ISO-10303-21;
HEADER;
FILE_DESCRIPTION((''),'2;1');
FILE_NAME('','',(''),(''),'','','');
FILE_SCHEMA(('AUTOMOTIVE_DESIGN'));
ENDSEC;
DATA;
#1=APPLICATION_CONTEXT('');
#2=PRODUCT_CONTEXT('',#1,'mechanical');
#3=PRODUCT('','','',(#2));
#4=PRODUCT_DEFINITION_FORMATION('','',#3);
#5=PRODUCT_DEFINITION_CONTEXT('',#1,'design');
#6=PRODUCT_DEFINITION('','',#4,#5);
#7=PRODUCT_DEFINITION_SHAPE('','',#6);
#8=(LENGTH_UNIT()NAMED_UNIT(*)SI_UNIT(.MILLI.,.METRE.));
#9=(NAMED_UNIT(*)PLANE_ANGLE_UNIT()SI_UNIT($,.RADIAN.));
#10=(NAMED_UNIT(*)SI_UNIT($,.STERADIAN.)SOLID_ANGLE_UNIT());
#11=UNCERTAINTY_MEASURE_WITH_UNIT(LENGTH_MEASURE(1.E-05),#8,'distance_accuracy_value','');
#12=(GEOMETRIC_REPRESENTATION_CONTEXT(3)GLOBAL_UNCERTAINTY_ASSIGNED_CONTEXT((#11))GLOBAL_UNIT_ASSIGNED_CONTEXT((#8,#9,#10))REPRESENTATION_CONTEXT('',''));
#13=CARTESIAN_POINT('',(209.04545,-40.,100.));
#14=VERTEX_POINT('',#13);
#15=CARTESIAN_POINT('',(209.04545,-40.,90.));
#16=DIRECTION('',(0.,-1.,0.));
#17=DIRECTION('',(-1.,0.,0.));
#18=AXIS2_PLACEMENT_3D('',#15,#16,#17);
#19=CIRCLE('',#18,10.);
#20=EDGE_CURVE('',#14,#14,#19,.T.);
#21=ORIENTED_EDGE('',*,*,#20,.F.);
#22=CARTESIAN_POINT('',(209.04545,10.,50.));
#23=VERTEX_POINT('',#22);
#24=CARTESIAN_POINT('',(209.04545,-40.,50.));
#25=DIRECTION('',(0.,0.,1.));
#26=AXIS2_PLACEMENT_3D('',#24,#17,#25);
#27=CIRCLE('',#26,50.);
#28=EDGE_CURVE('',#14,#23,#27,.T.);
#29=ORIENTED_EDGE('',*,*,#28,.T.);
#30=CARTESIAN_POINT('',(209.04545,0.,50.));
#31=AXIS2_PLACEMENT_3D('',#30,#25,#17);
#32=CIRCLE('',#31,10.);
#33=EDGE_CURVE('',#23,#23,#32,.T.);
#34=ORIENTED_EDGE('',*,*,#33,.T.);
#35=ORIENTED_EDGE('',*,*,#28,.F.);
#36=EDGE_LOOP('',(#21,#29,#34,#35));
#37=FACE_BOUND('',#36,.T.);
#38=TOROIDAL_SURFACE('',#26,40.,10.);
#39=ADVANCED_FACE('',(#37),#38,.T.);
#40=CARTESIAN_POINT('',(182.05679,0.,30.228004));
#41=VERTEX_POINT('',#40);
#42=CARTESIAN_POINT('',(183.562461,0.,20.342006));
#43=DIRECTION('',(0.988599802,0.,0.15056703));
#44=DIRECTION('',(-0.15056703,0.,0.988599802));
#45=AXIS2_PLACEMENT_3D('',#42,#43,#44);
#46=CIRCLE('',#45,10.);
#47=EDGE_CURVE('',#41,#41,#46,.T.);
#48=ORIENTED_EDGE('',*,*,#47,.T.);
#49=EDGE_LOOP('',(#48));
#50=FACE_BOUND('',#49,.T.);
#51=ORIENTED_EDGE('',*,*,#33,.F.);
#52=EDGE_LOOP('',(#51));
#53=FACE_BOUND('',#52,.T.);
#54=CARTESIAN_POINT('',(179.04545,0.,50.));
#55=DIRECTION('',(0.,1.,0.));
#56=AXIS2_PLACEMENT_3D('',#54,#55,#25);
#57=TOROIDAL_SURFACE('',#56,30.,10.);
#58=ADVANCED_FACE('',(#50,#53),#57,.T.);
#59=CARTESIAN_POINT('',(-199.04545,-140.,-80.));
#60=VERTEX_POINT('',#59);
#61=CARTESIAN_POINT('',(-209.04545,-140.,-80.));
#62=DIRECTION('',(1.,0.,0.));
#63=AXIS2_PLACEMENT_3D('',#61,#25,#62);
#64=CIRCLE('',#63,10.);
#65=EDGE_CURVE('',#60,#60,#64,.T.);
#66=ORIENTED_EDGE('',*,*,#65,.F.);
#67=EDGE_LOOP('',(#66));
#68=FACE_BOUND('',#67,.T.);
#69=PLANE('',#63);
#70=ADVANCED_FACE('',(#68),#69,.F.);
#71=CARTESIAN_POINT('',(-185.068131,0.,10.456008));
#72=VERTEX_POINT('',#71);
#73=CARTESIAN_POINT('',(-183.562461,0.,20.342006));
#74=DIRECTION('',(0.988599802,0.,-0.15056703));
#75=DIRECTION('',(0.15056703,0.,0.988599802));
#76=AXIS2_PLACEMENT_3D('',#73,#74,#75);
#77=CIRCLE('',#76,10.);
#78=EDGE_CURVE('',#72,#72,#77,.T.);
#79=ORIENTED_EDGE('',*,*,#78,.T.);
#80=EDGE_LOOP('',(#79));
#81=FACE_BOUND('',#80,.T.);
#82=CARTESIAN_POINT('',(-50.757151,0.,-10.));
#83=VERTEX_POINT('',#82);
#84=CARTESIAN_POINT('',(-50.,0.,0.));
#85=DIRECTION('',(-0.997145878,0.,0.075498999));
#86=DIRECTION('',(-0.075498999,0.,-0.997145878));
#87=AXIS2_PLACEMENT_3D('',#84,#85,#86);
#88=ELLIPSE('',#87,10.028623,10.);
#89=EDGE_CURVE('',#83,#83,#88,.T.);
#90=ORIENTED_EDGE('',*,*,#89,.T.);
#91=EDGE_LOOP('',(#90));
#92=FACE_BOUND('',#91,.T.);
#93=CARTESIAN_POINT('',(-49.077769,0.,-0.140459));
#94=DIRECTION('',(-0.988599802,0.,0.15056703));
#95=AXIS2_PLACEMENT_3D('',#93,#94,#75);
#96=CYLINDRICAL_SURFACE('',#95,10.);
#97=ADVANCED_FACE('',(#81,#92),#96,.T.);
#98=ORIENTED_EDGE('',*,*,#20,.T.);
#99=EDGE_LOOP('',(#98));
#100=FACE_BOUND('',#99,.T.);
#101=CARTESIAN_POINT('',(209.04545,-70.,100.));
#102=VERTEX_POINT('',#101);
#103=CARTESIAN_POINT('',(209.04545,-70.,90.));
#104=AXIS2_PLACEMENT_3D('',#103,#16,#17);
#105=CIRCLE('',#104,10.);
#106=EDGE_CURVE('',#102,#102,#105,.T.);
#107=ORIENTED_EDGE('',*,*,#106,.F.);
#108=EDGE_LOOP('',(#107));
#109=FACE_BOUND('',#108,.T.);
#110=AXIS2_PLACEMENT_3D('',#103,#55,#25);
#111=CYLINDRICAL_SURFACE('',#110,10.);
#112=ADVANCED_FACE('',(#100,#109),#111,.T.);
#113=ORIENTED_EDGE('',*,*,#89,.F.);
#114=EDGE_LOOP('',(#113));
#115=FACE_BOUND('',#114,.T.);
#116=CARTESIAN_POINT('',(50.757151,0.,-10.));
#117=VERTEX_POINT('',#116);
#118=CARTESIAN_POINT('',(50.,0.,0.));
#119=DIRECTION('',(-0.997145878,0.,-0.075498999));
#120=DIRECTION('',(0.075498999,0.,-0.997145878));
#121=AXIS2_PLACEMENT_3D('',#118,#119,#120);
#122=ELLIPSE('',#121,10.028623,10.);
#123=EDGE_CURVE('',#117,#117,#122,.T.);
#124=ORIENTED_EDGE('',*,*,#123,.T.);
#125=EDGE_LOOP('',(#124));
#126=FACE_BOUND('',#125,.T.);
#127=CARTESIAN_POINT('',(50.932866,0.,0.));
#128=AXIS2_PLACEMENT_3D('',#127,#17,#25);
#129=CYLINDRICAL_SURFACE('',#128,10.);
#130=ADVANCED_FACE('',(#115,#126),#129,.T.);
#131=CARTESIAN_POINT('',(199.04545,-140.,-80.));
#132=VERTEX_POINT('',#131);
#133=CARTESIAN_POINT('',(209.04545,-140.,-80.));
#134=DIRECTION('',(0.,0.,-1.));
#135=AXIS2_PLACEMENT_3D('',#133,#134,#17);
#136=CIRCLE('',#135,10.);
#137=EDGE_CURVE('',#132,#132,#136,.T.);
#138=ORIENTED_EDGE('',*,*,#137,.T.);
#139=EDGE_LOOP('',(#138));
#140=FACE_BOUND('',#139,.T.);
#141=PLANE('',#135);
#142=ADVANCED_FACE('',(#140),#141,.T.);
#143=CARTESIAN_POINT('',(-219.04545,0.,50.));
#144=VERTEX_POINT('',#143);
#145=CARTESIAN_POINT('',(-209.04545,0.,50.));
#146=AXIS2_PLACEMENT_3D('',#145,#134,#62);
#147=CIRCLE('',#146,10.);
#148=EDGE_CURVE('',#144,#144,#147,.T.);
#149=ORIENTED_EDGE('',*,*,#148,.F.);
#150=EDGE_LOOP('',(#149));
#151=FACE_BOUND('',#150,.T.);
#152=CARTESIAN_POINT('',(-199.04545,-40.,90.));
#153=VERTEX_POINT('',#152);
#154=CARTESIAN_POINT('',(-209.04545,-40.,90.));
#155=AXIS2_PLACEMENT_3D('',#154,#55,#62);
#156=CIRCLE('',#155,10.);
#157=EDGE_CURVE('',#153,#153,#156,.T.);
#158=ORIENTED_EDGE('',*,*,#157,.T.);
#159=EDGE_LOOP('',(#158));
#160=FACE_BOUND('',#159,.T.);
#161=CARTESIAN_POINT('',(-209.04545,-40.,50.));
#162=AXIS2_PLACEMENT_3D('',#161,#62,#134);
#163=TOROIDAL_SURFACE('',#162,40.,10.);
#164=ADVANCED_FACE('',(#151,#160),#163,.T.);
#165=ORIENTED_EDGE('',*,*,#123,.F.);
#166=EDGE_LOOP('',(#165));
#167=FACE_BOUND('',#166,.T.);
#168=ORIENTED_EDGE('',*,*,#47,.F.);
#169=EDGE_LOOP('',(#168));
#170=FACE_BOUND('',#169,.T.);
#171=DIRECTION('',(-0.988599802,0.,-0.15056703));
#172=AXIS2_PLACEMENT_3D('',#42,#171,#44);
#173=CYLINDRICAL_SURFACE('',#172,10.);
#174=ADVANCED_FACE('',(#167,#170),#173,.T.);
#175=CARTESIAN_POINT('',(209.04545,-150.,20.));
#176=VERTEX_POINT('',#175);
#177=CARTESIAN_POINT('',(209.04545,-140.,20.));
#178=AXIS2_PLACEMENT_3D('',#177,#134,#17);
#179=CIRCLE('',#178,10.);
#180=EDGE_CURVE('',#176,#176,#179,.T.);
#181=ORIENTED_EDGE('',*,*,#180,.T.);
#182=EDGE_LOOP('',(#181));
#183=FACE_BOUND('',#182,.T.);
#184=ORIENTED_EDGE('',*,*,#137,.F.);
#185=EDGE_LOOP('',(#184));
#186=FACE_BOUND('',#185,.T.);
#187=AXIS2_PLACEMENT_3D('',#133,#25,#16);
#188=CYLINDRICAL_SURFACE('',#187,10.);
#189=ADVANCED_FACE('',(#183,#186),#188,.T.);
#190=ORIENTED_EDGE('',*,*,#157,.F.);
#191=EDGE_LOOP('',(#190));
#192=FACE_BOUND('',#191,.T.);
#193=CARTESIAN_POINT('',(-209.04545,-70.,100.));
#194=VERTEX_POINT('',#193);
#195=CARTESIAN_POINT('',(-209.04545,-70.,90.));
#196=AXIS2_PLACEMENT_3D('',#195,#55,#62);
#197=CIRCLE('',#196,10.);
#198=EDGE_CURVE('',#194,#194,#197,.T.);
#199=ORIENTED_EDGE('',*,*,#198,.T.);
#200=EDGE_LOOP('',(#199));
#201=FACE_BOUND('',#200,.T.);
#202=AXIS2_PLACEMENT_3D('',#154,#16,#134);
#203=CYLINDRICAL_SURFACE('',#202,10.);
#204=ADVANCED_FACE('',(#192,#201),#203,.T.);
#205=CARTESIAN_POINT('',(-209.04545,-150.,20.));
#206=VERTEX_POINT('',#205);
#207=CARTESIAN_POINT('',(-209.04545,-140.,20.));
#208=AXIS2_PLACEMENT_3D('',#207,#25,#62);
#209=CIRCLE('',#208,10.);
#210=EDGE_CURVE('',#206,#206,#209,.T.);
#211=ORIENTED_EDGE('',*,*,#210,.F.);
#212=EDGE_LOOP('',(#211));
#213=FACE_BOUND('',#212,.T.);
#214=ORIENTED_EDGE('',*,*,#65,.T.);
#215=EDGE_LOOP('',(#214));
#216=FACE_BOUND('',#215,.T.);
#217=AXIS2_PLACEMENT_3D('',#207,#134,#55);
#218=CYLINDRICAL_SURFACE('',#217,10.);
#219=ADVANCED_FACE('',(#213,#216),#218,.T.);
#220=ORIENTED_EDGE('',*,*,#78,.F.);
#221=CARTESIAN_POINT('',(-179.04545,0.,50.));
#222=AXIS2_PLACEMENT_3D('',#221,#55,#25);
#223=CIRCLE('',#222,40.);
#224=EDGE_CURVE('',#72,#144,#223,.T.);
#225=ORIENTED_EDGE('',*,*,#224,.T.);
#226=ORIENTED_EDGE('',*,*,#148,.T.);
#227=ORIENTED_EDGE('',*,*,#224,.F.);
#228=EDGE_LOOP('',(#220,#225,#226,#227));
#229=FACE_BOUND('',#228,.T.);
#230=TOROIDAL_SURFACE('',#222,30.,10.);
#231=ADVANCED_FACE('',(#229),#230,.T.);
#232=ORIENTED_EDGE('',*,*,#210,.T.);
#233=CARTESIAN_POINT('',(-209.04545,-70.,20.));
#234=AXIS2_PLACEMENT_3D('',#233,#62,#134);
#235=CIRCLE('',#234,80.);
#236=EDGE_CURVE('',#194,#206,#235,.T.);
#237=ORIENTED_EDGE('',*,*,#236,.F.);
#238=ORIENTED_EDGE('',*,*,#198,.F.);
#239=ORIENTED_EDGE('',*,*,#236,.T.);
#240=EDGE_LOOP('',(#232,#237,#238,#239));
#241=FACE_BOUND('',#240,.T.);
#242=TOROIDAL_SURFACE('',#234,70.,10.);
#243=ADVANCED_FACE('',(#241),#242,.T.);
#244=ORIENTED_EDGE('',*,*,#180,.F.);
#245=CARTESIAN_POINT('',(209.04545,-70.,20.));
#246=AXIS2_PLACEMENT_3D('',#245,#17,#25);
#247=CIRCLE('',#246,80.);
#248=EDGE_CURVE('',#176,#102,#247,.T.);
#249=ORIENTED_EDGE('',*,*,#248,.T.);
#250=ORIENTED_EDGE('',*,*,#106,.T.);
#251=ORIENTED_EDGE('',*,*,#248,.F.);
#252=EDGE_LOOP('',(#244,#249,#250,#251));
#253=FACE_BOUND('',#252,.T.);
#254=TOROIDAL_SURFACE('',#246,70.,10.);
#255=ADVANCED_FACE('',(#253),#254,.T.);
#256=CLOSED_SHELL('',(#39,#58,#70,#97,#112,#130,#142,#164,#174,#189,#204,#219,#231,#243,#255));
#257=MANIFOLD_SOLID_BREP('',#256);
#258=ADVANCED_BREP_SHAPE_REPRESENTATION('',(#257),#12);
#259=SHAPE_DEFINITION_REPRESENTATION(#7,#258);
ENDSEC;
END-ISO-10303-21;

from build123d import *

# Parameters (mm, degrees)
SKETCH1_R = 10


with BuildPart() as part:
    # Sweep1: sweep along a curve in space
    with BuildLine() as sweep1_path:
        Line((209.045449604, -140, 20), (209.045449604, -140, -80))
        ThreePointArc((209.045449604, -70, 90), (209.045449604, -119.497474683, 69.497474683), (209.045449604, -140, 20))
        Line((209.045449604, -40, 90), (209.045449604, -70, 90))
        ThreePointArc((209.045449604, 0, 50), (209.045449604, -11.715728753, 78.284271247), (209.045449604, -40, 90))
        ThreePointArc((183.562460513, 0, 20.342005927), (201.799683575, 0, 30.448917259), (209.045449604, 0, 50))
        Line((50, 0, 0), (183.562460513, 0, 20.342005927))
        Line((-50, 0, 0), (50, 0, 0))
        Line((-50, 0, 0), (-183.562460513, 0, 20.342005927))
        ThreePointArc((-209.045449604, 0, 50), (-201.799683575, 0, 30.448917259), (-183.562460513, 0, 20.342005927))
        ThreePointArc((-209.045449604, -40, 90), (-209.045449604, -11.715728753, 78.284271247), (-209.045449604, 0, 50))
        Line((-209.045449604, -40, 90), (-209.045449604, -70, 90))
        ThreePointArc((-209.045449604, -140, 20), (-209.045449604, -119.497474683, 69.497474683), (-209.045449604, -70, 90))
        Line((-209.045449604, -140, 20), (-209.045449604, -140, -80))
    # Sketch1 → Sweep1 (sweep)
    with BuildSketch(Plane.XY.offset(-80)):
        with Locations((-209.045449604, -140)):
            Circle(SKETCH1_R)
    sweep(path=sweep1_path.line, transition=Transition.RIGHT)


solid = part.part
